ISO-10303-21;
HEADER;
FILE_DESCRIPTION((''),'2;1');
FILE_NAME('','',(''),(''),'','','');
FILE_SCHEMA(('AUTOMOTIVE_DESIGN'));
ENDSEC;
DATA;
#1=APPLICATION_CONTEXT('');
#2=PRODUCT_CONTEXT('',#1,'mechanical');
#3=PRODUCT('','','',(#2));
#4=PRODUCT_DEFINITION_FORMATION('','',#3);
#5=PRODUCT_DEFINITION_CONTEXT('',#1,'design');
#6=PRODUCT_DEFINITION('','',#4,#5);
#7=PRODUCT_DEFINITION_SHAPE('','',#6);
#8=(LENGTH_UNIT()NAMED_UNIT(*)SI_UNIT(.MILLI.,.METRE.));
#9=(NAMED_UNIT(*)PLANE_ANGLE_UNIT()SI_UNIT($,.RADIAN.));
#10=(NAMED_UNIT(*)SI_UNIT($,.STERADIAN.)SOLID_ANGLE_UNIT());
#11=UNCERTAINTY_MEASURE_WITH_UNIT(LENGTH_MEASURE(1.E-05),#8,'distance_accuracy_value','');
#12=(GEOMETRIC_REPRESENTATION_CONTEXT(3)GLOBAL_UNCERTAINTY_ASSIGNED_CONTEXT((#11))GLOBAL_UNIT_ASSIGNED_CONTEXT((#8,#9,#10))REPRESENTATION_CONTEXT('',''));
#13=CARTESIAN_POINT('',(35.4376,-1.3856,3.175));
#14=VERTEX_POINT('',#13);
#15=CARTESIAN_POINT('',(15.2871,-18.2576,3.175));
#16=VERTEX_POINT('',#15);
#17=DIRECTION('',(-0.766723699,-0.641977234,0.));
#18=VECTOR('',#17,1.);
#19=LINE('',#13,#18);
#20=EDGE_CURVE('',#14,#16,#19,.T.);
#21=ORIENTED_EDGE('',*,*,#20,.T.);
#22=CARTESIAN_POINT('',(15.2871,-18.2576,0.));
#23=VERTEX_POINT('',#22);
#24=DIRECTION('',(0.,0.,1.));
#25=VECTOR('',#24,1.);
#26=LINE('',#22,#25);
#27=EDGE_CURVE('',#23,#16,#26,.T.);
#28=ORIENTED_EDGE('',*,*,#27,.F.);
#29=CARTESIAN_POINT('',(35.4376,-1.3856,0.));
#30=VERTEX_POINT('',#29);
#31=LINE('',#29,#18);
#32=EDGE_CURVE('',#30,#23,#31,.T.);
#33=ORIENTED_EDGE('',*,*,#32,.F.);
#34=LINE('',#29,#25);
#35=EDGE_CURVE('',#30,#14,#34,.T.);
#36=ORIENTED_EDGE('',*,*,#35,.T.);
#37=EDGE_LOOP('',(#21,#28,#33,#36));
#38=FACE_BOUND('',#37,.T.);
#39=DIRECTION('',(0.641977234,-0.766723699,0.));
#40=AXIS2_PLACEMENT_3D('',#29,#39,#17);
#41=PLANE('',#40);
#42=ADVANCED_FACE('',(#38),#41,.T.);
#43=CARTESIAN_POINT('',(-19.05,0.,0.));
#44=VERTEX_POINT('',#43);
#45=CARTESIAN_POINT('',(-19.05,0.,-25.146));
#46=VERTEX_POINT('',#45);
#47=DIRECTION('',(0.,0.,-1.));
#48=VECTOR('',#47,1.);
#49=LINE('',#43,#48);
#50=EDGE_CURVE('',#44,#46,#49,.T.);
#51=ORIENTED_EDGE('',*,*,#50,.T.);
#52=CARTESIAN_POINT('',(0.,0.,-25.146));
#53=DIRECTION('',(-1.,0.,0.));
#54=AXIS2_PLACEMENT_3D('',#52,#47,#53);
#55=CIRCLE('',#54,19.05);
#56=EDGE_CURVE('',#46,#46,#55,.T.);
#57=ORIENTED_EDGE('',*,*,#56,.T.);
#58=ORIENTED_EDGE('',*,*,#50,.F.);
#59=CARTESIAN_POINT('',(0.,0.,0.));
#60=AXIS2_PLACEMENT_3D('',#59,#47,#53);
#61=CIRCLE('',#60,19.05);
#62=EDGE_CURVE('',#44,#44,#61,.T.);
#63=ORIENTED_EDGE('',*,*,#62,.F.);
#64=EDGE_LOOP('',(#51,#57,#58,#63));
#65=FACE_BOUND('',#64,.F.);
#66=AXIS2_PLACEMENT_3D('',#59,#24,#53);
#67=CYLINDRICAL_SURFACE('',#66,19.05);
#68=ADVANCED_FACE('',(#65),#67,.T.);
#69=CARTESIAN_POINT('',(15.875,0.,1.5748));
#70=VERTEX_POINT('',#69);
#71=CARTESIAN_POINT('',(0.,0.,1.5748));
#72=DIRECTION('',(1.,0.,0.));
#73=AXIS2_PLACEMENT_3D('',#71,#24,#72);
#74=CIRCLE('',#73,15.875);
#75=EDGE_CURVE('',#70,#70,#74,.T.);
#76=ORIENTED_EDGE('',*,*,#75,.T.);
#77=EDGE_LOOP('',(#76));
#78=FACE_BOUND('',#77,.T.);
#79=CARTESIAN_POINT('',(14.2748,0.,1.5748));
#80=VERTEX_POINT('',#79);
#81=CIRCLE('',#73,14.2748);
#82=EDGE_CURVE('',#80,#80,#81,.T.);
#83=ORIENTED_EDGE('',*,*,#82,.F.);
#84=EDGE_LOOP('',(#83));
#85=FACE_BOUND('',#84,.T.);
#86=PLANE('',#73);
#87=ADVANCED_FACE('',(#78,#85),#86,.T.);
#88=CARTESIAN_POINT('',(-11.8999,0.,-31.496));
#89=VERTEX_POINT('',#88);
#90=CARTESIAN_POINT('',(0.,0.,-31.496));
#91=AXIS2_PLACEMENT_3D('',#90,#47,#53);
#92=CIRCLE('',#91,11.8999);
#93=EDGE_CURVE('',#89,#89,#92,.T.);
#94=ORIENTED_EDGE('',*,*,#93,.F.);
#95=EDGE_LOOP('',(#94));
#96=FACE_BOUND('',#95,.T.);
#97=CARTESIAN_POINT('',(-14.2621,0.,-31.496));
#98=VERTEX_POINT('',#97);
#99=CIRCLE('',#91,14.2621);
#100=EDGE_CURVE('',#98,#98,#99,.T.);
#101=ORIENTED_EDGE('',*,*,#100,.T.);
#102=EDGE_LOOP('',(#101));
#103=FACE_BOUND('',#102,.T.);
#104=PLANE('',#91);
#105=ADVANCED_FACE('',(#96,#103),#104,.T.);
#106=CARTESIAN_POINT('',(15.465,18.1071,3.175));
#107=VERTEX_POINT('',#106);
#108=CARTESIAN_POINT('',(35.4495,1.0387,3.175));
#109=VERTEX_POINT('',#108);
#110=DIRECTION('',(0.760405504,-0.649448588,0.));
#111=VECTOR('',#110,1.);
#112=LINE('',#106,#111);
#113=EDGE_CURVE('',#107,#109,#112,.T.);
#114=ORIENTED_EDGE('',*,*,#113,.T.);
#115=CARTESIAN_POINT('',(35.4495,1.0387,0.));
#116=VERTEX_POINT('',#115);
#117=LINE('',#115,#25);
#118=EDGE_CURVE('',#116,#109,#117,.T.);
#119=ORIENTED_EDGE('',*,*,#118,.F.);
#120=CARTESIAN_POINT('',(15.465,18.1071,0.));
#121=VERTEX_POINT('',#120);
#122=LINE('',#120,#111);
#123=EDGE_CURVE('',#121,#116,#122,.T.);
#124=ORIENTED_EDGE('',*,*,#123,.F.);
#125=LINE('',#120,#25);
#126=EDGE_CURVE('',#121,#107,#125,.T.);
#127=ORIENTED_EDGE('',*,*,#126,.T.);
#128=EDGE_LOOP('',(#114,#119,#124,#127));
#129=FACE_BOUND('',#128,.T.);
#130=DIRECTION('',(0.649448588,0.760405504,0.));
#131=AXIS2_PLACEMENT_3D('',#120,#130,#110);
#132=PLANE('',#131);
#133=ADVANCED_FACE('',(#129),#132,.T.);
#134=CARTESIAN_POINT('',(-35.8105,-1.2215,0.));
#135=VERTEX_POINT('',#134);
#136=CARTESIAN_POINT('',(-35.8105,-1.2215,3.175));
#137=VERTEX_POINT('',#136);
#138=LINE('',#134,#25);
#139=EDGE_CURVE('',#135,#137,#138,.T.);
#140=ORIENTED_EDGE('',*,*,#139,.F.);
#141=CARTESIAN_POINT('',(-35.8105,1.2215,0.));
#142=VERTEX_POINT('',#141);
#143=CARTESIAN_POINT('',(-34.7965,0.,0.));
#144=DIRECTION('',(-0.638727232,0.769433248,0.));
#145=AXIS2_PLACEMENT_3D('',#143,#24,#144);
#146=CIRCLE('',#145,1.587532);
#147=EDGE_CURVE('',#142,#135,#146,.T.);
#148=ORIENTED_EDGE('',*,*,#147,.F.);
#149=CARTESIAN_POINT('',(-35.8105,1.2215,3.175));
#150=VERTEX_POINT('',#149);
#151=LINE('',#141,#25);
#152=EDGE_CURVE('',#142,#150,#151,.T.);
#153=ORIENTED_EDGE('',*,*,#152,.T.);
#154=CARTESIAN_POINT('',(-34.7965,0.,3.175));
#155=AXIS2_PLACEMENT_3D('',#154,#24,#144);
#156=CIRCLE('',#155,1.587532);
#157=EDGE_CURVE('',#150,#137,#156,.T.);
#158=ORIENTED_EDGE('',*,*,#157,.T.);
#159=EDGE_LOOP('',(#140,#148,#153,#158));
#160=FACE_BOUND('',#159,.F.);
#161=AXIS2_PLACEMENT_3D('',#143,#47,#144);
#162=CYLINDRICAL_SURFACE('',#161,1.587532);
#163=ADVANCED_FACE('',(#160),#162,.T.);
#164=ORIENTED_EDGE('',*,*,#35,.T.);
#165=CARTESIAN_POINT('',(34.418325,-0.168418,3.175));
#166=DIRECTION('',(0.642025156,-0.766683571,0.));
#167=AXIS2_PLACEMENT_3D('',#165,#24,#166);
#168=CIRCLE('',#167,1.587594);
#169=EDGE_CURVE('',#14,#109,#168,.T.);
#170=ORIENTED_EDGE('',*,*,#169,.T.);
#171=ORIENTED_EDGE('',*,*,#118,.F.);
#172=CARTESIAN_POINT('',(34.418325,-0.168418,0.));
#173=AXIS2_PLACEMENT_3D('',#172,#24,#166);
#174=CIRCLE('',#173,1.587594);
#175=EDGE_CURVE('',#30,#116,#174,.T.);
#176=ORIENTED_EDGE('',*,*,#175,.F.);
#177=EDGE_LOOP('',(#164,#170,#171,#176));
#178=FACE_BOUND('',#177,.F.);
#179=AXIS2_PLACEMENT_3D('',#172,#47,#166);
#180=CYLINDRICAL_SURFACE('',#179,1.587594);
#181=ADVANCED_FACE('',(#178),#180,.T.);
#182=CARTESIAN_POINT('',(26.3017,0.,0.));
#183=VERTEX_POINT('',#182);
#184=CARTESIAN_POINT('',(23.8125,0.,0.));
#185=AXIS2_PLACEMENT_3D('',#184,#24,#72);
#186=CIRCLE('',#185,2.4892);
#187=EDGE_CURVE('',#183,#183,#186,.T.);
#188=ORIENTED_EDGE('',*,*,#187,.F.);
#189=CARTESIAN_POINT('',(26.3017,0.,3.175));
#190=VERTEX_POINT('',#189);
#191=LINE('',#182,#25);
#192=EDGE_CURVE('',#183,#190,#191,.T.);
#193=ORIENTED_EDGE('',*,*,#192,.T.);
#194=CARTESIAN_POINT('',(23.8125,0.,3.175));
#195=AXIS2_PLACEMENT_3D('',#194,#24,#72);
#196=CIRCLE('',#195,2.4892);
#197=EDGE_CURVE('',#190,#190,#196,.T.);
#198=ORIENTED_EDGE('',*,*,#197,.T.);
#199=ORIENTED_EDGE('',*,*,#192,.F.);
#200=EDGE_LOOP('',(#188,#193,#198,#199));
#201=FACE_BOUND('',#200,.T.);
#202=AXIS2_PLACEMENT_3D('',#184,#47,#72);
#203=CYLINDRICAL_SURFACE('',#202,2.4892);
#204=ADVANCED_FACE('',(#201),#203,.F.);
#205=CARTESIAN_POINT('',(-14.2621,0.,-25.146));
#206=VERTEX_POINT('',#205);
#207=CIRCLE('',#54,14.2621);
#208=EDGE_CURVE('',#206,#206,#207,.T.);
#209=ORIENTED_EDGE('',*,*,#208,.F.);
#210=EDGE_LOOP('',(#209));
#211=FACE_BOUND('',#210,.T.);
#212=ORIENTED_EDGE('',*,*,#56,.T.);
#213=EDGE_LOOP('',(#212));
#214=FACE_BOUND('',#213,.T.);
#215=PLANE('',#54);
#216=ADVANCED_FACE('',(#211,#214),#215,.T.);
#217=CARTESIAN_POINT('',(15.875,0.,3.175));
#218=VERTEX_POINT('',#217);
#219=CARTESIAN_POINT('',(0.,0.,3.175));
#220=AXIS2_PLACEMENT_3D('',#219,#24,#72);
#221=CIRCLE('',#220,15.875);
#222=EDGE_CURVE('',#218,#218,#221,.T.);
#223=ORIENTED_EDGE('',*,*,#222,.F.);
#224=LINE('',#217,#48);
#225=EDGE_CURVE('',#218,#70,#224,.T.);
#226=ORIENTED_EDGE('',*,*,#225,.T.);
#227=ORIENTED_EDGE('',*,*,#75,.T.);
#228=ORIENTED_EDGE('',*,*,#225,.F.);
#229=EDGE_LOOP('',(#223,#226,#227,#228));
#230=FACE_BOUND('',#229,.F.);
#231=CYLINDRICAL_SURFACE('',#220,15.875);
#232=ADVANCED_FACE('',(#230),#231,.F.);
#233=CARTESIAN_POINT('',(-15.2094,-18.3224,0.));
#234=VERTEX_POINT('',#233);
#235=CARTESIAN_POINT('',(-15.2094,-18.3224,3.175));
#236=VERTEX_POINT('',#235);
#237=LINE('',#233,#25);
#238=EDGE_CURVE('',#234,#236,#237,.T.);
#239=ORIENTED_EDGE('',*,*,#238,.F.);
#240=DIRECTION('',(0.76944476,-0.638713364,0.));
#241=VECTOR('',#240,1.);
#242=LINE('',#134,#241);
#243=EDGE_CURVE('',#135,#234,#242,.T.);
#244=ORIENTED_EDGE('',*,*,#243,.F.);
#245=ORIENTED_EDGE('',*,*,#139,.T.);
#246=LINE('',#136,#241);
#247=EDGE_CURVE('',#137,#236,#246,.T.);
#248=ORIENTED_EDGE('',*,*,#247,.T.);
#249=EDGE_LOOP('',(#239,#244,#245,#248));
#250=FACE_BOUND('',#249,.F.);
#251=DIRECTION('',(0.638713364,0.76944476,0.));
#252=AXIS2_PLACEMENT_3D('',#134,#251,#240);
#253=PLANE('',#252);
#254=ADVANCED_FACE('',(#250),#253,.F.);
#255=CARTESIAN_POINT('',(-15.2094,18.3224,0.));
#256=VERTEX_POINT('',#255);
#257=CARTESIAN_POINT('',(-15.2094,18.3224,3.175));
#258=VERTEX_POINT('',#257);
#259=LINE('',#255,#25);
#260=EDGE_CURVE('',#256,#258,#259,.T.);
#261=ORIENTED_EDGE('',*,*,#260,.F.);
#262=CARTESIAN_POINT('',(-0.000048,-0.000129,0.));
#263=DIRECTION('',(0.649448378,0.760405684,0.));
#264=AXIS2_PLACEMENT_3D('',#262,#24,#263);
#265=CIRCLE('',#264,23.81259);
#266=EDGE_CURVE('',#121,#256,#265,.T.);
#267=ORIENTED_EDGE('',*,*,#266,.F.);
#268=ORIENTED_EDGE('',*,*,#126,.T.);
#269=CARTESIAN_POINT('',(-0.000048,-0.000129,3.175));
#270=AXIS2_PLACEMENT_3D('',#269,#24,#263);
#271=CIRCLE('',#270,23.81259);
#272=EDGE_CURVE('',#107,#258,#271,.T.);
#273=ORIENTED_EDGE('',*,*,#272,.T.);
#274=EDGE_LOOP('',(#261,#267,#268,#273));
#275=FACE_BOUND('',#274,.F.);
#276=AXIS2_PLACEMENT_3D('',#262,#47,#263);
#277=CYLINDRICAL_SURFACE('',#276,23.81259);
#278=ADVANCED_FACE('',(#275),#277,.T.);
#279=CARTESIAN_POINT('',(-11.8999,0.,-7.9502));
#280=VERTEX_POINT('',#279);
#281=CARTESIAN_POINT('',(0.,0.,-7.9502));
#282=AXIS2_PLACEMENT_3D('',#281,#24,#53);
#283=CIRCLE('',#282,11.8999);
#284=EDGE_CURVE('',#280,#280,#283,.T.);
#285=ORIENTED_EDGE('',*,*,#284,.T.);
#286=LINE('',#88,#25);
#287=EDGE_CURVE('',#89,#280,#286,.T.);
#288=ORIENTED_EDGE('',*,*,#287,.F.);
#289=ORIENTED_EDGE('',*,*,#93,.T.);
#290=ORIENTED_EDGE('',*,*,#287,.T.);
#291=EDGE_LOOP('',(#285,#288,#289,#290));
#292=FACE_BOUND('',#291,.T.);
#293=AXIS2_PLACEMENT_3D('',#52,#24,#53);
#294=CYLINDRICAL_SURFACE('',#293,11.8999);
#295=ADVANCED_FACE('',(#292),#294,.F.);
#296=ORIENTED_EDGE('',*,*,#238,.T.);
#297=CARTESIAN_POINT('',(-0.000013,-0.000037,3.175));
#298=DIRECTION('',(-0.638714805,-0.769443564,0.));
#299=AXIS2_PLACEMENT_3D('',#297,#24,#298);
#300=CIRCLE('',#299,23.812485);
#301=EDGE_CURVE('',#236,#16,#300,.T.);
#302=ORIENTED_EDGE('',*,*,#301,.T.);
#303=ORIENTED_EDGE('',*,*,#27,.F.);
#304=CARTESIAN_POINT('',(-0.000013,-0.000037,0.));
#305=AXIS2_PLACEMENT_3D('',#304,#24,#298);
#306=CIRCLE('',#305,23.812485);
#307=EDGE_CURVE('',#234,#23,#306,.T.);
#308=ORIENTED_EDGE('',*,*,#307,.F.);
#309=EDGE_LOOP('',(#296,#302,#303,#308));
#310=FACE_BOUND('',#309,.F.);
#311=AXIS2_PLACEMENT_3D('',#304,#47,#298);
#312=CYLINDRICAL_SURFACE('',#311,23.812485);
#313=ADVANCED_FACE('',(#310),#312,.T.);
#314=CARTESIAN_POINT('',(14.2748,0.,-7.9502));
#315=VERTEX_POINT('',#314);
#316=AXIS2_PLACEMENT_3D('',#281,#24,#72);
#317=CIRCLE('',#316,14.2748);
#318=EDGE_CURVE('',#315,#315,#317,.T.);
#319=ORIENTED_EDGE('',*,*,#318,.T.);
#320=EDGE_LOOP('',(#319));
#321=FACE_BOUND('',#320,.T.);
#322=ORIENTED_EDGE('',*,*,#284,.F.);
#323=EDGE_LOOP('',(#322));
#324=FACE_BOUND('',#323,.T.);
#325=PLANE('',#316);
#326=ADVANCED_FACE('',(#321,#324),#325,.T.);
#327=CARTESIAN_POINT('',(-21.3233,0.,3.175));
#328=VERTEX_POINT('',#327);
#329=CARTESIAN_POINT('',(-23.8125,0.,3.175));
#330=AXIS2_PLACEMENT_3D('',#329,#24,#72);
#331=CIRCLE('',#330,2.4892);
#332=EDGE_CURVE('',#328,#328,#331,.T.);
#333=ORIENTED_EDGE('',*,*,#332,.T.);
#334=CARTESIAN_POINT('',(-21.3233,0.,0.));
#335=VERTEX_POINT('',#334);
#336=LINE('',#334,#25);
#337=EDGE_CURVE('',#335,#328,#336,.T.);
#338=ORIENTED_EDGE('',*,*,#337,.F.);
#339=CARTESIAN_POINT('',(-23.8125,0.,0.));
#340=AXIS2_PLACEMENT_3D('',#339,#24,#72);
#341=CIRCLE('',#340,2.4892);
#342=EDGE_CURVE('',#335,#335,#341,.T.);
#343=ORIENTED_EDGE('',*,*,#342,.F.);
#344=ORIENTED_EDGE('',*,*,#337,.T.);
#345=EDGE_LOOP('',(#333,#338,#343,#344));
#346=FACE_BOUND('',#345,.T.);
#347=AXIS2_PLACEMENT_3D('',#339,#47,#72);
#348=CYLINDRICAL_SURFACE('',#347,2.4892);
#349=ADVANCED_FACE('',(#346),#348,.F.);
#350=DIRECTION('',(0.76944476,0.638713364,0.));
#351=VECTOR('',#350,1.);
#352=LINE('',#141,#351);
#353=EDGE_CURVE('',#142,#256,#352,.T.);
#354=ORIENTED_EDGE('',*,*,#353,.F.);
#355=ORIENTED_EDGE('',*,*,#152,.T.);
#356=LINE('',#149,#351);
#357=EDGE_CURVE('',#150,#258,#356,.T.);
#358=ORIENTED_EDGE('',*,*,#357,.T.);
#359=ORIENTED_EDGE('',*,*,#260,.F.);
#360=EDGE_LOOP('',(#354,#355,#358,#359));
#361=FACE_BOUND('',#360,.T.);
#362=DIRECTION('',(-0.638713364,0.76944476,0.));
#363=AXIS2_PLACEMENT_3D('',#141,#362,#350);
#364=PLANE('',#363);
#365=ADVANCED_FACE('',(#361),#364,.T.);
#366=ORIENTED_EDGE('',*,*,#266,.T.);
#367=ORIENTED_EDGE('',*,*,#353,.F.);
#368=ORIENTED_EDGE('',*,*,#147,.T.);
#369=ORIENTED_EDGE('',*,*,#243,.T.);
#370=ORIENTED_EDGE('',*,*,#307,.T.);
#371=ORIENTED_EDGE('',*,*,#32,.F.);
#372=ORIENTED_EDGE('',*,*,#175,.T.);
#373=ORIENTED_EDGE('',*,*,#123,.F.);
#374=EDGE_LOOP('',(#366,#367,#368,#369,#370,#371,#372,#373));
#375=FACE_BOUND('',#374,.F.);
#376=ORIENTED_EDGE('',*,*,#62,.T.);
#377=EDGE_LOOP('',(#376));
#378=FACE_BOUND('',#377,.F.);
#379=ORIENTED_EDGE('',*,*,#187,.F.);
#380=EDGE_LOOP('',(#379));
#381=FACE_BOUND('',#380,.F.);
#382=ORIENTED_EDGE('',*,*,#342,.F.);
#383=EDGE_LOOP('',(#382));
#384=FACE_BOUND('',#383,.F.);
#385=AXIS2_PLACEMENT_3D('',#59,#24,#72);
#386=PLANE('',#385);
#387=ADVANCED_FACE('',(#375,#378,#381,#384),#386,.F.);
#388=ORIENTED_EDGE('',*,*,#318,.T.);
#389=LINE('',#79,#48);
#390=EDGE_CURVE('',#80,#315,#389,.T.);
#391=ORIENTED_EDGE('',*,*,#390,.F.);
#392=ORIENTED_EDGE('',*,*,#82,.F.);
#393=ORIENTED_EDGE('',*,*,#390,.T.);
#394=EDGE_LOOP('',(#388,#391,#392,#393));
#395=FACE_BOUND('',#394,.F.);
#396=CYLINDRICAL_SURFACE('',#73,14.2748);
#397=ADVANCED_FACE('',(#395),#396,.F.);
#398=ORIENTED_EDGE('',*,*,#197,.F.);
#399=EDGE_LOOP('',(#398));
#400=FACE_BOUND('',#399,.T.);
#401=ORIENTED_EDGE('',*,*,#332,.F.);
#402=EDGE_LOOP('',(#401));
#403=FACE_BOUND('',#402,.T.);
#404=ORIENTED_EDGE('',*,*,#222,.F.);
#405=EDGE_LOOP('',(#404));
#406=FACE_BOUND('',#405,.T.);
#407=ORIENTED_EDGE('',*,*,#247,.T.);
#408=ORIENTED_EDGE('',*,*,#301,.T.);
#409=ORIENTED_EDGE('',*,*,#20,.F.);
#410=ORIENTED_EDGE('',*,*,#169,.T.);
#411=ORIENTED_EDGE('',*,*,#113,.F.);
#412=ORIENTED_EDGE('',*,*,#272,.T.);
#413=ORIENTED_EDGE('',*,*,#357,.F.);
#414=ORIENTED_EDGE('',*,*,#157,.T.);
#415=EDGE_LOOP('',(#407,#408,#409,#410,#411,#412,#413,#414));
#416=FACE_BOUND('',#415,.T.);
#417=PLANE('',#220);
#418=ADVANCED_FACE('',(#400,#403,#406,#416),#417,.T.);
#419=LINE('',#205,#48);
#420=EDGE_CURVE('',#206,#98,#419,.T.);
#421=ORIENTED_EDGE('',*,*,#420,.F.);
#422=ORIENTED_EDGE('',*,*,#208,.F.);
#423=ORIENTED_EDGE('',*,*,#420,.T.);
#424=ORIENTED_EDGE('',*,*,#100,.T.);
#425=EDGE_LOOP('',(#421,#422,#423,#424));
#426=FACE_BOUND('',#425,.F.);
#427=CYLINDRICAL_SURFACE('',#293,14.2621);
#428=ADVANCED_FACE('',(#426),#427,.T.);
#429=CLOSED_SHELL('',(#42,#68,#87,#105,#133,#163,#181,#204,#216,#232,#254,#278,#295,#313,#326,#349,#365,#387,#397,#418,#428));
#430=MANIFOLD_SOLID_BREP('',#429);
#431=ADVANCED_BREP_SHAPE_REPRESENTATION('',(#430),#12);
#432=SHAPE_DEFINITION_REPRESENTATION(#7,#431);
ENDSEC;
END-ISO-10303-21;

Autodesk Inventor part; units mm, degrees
ref_plane "YZ Plane" through (0, 0, 0) normal (1, 0, 0) x (0, 1, 0)
ref_plane "XZ Plane" through (0, 0, 0) normal (0, 1, 0) x (-1, 0, 0)
ref_plane "XY Plane" through (0, 0, 0) normal (0, 0, 1) x (1, 0, 0)
sketch "Sketch2" plane through (0, 0, 0) normal (0, 0, 1) x (1, 0, 0)
  arc A0 (-35.8105, 1.2215) -> (-35.8105, -1.2215) centre (-34.7965, 0) ccw
  arc A1 (35.4376, -1.3856) -> (35.4495, 1.0387) centre (34.4185, -0.1685) ccw
  line L0 (-35.8105, 1.2215) -> (-15.2094, 18.3224)
  line L1 (-35.8105, -1.2215) -> (-15.2094, -18.3224)
  line L2 (-73.8497, 0) -> (129.1726, 0) construction
  line L3 (15.465, 18.1071) -> (35.4495, 1.0387)
  line L4 (35.4376, -1.3856) -> (15.2871, -18.2576)
  line L5 (-36.384, 17.9881) -> (-36.384, -16.5847) construction
  line L6 (36.006, 40.1283) -> (36.006, -35.2466) construction
  circle A2 centre (-23.8125, 0) radius 2.4892
  circle A3 centre (23.8125, 0) radius 2.4892
  circle A4 centre (0, 0) radius 11.8999
  arc A5 (-15.2094, -18.3224) -> (15.2871, -18.2576) centre (0, 0) ccw
  arc A6 (15.465, 18.1071) -> (-15.2094, 18.3224) centre (0, 0) ccw
  dimension "d6" = 3.175
  dimension "d7" = 72.39
  dimension "d8" = 23.7998
  dimension "d9" = 4.9784
extrude "Extrusion1" add sketch "Sketch2" along normal blind 3.175
sketch "Sketch3" plane through (0, 0, 0) normal (0, 0, -1) x (-1, 0, 0)
  circle A0 centre (0, 0) radius 19.05
  circle A1 centre (0, 0) radius 11.8999 projected
  dimension "d12" = 38.1
extrude "Extrusion2" add sketch "Sketch3" along normal blind 25.146
sketch "Sketch4" plane through (0, 0, -25.146) normal (0, 0, -1) x (-1, 0, 0)
  circle A0 centre (0, 0) radius 11.8999 projected
  circle A1 centre (0, 0) radius 14.2621
  dimension "d15" = 28.5242
extrude "Extrusion3" add sketch "Sketch4" along normal blind 6.35
sketch "Sketch5" plane through (0, 0, 3.175) normal (0, 0, 1) x (1, 0, 0)
  circle A0 centre (0, 0) radius 11.8999 projected
  circle A1 centre (0, 0) radius 15.875
  dimension "d18" = 31.75
extrude "Extrusion4" cut sketch "Sketch5" against normal blind 1.6002
sketch "Sketch6" plane through (0, 0, 1.5748) normal (0, 0, 1) x (1, 0, 0)
  circle A0 centre (0, 0) radius 14.2748
  circle A1 centre (0, 0) radius 11.8999 projected
  dimension "d21" = 28.5496
extrude "Extrusion5" cut sketch "Sketch6" against normal blind 9.525
properties part number "Bearing Block WCP"
